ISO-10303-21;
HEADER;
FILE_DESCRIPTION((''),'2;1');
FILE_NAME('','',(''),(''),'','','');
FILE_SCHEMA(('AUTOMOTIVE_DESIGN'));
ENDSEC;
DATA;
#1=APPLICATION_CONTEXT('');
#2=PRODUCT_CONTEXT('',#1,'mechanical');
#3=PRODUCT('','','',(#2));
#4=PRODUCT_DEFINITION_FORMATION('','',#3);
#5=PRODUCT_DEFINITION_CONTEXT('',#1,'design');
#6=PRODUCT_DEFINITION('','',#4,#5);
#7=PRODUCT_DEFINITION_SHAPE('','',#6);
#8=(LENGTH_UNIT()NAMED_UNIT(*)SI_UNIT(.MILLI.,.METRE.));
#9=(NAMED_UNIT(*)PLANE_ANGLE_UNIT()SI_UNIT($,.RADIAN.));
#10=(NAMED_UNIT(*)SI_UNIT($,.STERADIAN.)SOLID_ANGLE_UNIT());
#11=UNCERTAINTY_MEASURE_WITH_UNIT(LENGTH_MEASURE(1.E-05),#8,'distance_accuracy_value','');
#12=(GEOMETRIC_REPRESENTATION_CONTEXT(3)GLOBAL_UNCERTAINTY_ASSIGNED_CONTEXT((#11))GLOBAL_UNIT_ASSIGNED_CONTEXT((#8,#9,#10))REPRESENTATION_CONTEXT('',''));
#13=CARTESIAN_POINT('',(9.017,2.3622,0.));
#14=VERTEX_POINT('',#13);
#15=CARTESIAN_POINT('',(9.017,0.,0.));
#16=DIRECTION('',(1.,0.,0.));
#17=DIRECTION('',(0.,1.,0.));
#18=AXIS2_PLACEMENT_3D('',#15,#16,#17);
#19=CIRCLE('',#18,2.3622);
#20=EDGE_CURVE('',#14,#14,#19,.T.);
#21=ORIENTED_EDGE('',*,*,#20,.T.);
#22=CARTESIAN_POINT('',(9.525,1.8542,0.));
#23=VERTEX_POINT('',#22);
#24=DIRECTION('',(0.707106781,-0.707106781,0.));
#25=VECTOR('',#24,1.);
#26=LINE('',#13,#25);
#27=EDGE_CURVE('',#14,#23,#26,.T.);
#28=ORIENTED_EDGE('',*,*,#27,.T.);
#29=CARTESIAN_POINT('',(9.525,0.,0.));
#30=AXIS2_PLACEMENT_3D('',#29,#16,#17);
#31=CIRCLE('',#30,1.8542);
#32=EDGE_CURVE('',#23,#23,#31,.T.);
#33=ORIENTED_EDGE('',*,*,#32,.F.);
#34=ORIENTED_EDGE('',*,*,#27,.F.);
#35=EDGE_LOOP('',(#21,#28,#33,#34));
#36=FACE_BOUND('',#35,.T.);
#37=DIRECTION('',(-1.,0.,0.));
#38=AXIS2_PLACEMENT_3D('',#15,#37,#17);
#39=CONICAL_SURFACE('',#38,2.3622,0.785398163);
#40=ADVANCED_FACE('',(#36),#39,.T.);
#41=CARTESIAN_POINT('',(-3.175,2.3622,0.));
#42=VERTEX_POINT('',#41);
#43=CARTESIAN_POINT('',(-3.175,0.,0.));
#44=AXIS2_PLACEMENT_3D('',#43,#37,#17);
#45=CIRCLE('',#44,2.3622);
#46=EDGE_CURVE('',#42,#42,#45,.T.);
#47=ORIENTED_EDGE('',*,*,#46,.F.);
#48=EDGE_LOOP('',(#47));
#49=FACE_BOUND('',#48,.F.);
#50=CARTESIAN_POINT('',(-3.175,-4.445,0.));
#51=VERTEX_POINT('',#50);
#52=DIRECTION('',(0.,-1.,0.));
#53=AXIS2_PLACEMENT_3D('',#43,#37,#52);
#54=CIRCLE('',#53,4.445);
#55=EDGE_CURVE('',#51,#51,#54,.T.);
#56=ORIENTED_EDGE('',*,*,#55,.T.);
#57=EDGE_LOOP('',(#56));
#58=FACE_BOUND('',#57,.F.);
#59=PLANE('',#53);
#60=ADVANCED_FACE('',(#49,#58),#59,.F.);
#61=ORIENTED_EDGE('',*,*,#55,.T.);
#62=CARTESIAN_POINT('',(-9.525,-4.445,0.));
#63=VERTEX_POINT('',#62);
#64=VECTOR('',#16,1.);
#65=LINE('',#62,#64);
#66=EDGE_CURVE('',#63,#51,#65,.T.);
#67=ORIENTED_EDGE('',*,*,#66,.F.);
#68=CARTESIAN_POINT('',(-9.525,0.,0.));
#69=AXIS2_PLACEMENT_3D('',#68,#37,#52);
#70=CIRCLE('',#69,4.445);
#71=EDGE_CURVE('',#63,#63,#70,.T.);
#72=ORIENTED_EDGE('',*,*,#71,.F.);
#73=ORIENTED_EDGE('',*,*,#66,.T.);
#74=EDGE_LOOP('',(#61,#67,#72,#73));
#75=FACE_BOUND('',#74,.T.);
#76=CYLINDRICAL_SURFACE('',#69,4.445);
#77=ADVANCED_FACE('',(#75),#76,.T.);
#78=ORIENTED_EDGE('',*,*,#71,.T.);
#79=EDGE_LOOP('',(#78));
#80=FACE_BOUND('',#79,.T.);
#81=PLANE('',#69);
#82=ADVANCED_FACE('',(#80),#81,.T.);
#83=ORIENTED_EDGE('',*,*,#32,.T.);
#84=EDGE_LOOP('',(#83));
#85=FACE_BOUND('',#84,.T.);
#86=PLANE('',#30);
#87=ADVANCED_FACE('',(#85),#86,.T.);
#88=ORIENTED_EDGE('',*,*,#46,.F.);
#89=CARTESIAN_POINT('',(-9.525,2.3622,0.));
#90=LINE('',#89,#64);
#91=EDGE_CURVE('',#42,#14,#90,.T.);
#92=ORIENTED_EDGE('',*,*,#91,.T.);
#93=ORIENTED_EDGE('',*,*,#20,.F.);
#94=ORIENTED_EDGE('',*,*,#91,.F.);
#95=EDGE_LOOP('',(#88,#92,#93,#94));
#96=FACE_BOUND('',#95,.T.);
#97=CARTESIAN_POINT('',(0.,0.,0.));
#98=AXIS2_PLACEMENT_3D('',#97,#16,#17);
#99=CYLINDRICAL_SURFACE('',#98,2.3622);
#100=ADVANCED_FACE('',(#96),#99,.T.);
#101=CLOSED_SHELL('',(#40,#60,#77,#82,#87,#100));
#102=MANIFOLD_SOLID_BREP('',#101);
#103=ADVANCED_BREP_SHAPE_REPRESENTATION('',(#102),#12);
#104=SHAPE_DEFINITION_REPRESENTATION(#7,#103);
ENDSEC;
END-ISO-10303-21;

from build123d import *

# Parameters (mm, degrees)
F0_R     = 2.3622
F1_DEPTH = 9.525
F2_R     = 4.445
F2_R_2   = 2.3622
F3_DEPTH = 6.35
F4_SIZE  = 0.508


with BuildPart() as f1:
    # F0 (on Right) → F1 (new body, symmetric)
    with BuildSketch(Plane.YZ):
        Circle(F0_R)
    extrude(amount=F1_DEPTH, both=True)

    # F2 (on face) → F3 (join)
    with BuildSketch(Plane(origin=(-9.525, 0, 0), x_dir=(0, -1, 0), z_dir=(-1, 0, 0))):
        Circle(F2_R)
        Circle(F2_R_2, mode=Mode.SUBTRACT)
    extrude(amount=-F3_DEPTH)

    # F4
    f4_edges = [f1.edges().sort_by_distance(p)[0] for p in [
        (9.525, -2.3622, 0),
    ]]
    chamfer(f4_edges, length=F4_SIZE)


solid = f1.part
